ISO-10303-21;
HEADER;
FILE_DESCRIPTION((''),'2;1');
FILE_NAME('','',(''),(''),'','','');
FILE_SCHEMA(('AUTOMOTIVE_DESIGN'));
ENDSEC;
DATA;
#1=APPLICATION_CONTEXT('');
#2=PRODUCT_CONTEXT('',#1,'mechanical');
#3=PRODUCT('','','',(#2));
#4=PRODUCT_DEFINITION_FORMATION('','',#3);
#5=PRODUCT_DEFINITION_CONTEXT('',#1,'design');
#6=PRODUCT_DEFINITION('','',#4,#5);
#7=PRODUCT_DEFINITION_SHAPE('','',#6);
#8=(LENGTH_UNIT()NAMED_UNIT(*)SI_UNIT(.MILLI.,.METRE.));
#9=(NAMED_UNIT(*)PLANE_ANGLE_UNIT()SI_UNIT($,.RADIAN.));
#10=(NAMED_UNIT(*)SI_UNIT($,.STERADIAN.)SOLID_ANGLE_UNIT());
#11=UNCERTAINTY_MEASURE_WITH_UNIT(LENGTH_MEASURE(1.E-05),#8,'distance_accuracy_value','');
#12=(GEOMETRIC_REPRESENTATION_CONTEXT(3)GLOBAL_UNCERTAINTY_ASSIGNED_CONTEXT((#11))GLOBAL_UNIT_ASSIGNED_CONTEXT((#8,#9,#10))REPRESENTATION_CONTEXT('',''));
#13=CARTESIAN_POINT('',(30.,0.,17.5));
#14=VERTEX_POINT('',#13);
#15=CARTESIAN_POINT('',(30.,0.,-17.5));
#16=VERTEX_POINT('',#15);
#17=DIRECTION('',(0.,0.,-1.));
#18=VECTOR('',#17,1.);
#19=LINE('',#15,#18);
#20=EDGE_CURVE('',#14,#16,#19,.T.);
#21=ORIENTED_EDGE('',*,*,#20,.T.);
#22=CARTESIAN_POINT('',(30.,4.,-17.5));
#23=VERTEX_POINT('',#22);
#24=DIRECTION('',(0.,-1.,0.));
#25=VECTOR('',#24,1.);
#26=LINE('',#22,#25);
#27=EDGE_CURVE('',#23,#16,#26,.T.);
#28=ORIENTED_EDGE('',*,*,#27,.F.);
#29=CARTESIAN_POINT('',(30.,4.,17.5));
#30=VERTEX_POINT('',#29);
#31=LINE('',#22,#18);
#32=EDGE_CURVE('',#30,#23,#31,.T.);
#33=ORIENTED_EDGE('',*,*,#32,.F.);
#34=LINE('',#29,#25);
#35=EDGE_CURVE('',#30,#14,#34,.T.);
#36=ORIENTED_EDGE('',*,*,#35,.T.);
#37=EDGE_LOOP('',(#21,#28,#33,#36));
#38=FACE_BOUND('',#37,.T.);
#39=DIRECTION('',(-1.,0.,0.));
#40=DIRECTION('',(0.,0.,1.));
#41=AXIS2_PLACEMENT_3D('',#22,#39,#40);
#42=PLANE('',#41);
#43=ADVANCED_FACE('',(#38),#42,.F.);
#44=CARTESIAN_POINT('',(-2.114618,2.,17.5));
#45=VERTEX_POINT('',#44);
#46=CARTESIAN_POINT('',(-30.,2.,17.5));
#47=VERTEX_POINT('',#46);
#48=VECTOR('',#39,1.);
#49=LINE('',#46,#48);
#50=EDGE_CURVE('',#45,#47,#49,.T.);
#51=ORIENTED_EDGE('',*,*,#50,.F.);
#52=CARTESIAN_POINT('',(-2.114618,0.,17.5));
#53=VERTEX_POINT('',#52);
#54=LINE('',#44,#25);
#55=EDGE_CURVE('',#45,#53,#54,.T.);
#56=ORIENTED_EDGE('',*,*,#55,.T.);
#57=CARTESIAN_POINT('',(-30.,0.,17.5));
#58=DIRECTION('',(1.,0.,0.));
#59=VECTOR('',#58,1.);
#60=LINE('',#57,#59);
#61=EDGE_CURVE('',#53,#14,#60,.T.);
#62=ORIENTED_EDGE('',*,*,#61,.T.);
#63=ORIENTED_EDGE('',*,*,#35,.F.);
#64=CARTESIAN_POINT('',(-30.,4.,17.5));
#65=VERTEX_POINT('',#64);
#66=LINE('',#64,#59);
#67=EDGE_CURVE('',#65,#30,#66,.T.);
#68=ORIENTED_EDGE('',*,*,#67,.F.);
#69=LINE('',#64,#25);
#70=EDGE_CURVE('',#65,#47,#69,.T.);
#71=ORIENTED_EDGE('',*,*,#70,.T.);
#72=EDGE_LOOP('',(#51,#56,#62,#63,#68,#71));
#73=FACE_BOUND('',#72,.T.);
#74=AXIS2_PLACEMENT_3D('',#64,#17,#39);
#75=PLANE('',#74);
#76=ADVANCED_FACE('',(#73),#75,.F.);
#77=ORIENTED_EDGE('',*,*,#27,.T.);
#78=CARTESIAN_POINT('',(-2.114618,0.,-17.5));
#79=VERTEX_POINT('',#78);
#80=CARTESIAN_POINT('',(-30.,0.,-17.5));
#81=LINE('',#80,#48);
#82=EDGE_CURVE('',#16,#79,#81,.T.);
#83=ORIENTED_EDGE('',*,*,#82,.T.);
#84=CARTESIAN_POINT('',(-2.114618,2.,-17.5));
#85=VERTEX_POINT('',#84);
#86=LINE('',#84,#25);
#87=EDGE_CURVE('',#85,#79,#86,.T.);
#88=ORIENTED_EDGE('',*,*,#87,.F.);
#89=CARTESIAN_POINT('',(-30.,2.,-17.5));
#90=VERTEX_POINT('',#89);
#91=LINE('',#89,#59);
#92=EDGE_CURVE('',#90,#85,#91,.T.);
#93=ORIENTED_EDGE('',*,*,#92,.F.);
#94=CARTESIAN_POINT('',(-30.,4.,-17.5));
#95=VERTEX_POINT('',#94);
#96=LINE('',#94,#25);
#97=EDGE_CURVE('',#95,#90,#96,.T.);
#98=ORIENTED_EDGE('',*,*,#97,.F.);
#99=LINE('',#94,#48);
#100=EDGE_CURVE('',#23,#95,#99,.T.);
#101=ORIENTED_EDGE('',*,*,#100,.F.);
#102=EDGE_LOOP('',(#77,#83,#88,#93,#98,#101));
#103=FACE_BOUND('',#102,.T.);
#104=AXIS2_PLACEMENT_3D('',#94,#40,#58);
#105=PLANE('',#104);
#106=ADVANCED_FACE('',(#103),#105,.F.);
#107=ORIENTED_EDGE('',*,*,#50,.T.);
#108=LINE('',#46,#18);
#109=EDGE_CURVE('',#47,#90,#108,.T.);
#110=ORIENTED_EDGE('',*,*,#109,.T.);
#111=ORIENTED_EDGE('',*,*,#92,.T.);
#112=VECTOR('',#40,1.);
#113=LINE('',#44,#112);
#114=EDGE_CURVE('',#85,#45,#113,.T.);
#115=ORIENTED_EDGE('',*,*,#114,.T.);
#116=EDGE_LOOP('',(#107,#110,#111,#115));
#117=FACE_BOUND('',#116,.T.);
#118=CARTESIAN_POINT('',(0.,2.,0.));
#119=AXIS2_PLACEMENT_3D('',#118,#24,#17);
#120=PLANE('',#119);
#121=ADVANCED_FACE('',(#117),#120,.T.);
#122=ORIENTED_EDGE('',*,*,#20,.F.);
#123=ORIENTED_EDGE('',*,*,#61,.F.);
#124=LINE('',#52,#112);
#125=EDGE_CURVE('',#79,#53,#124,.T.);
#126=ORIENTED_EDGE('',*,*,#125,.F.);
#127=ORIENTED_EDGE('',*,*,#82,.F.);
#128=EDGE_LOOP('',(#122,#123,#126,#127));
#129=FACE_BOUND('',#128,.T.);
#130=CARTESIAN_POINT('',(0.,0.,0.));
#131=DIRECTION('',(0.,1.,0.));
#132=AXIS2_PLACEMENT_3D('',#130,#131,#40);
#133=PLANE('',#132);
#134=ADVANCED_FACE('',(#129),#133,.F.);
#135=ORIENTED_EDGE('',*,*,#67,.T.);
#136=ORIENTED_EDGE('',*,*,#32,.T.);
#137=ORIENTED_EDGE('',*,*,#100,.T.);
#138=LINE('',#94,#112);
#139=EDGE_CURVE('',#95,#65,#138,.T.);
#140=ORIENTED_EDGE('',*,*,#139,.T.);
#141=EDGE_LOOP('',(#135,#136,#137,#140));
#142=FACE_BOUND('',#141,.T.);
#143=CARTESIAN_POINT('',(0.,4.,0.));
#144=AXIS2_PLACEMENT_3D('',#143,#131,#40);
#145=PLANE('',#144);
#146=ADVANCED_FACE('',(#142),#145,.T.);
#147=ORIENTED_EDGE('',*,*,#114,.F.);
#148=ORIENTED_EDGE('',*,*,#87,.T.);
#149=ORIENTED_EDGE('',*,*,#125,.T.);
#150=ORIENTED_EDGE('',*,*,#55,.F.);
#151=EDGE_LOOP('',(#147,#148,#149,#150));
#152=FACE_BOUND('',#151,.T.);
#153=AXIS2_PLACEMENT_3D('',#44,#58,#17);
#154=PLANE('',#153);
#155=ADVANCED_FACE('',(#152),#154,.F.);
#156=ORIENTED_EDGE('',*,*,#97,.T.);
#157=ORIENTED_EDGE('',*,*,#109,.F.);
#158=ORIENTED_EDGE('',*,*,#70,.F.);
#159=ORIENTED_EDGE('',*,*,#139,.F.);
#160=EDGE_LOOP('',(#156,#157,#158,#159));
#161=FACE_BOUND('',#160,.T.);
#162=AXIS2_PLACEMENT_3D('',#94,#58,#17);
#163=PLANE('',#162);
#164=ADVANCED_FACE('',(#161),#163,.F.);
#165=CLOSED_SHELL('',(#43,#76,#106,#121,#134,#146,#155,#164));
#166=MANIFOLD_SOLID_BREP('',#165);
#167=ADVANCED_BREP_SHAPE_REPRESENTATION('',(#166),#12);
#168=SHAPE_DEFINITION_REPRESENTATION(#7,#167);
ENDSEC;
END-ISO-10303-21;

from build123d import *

# Parameters (mm, degrees)
SKETCH1_W           = 60
SKETCH1_H           = 35
BOSS_EXTRUDE1_DEPTH = 4
SKETCH2_W           = 27.885381656
SKETCH2_H           = 35
CUT_EXTRUDE1_DEPTH  = 2


with BuildPart() as part:
    # Sketch1 → Boss-Extrude1 (new body)
    with BuildSketch(Plane(origin=(0, 0, 0), x_dir=(1, 0, 0), z_dir=(0, 1, 0))):
        Rectangle(SKETCH1_W, SKETCH1_H)
    extrude(amount=BOSS_EXTRUDE1_DEPTH)

    # Sketch2 → Cut-Extrude1 (cut)
    with BuildSketch(Plane.XZ):
        with Locations((-16.057309172, 0)):
            Rectangle(SKETCH2_W, SKETCH2_H)
    extrude(amount=-CUT_EXTRUDE1_DEPTH, mode=Mode.SUBTRACT)


solid = part.part
